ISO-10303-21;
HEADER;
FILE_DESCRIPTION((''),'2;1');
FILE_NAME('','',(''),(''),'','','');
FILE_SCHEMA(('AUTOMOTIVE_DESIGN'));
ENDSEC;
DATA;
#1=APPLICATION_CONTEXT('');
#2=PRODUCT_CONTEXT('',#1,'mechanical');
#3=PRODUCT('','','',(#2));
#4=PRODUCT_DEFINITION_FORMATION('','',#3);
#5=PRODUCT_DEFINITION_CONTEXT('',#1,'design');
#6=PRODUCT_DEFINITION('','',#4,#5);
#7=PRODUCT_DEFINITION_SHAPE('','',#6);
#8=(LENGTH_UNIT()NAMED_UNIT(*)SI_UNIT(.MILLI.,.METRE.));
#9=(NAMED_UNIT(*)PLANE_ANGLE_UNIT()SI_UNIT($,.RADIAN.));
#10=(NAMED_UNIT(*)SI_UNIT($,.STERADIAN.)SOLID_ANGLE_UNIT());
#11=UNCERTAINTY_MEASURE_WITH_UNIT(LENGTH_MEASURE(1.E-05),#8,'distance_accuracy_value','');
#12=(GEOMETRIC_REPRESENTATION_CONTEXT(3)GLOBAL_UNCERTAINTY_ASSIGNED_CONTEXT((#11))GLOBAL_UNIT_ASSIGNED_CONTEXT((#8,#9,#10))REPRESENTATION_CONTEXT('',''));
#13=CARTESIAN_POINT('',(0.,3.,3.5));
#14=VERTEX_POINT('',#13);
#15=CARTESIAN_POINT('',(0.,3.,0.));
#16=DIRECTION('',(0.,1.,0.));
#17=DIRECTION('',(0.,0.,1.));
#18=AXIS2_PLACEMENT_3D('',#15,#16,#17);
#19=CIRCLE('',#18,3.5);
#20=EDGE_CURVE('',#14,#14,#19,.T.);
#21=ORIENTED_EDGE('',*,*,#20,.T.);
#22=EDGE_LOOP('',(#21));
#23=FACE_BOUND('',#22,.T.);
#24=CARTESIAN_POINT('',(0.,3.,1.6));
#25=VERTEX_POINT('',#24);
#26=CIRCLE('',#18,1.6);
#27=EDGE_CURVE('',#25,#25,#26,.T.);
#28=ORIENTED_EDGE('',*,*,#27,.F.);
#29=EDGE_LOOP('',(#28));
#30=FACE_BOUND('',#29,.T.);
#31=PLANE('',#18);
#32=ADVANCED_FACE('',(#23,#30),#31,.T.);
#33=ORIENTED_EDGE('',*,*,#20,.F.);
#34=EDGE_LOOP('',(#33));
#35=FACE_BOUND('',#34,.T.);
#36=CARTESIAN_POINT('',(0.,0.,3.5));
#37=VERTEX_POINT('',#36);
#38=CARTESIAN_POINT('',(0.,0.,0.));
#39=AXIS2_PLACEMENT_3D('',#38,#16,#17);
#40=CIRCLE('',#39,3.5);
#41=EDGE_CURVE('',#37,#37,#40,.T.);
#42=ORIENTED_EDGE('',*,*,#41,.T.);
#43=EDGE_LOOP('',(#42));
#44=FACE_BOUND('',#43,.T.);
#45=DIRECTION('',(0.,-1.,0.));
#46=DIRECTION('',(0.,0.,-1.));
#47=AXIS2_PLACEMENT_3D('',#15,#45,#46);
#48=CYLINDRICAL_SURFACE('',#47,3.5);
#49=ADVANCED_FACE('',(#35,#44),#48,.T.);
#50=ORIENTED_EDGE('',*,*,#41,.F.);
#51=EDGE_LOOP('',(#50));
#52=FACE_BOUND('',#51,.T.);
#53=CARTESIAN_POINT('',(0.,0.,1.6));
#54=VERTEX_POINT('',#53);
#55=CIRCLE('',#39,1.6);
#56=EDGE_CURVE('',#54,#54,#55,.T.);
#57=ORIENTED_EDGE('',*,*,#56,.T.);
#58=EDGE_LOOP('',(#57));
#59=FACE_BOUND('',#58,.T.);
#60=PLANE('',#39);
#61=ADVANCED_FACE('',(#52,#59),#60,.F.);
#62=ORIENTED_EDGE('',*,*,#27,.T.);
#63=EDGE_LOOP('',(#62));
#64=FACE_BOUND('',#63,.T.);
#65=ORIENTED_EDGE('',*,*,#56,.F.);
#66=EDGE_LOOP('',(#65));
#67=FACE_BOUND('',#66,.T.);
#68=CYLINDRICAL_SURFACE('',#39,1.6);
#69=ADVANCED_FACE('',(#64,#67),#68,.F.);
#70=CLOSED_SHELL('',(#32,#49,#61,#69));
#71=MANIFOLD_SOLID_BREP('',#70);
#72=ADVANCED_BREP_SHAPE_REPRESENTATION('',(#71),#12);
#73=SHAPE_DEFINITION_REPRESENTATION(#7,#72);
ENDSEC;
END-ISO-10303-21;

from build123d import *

# Parameters (mm, degrees)
SKETCH_1_R          = 3.5
EXTRUDE_1_DEPTH     = 3
SKETCH_2_R          = 1.6
CUT_EXTRUDE_1_DEPTH = 3


with BuildPart() as part:
    # ｽｹｯﾁ1 → ﾎﾞｽ - 押し出し1 (new body)
    with BuildSketch(Plane(origin=(0, 0, 0), x_dir=(1, 0, 0), z_dir=(0, 1, 0))):
        Circle(SKETCH_1_R)
    extrude(amount=EXTRUDE_1_DEPTH)

    # ｽｹｯﾁ2 → ｶｯﾄ - 押し出し1 (cut)
    with BuildSketch(Plane(origin=(0, 3, 0), x_dir=(1, 0, 0), z_dir=(0, 1, 0))):
        Circle(SKETCH_2_R)
    extrude(amount=-CUT_EXTRUDE_1_DEPTH, mode=Mode.SUBTRACT)


solid = part.part
